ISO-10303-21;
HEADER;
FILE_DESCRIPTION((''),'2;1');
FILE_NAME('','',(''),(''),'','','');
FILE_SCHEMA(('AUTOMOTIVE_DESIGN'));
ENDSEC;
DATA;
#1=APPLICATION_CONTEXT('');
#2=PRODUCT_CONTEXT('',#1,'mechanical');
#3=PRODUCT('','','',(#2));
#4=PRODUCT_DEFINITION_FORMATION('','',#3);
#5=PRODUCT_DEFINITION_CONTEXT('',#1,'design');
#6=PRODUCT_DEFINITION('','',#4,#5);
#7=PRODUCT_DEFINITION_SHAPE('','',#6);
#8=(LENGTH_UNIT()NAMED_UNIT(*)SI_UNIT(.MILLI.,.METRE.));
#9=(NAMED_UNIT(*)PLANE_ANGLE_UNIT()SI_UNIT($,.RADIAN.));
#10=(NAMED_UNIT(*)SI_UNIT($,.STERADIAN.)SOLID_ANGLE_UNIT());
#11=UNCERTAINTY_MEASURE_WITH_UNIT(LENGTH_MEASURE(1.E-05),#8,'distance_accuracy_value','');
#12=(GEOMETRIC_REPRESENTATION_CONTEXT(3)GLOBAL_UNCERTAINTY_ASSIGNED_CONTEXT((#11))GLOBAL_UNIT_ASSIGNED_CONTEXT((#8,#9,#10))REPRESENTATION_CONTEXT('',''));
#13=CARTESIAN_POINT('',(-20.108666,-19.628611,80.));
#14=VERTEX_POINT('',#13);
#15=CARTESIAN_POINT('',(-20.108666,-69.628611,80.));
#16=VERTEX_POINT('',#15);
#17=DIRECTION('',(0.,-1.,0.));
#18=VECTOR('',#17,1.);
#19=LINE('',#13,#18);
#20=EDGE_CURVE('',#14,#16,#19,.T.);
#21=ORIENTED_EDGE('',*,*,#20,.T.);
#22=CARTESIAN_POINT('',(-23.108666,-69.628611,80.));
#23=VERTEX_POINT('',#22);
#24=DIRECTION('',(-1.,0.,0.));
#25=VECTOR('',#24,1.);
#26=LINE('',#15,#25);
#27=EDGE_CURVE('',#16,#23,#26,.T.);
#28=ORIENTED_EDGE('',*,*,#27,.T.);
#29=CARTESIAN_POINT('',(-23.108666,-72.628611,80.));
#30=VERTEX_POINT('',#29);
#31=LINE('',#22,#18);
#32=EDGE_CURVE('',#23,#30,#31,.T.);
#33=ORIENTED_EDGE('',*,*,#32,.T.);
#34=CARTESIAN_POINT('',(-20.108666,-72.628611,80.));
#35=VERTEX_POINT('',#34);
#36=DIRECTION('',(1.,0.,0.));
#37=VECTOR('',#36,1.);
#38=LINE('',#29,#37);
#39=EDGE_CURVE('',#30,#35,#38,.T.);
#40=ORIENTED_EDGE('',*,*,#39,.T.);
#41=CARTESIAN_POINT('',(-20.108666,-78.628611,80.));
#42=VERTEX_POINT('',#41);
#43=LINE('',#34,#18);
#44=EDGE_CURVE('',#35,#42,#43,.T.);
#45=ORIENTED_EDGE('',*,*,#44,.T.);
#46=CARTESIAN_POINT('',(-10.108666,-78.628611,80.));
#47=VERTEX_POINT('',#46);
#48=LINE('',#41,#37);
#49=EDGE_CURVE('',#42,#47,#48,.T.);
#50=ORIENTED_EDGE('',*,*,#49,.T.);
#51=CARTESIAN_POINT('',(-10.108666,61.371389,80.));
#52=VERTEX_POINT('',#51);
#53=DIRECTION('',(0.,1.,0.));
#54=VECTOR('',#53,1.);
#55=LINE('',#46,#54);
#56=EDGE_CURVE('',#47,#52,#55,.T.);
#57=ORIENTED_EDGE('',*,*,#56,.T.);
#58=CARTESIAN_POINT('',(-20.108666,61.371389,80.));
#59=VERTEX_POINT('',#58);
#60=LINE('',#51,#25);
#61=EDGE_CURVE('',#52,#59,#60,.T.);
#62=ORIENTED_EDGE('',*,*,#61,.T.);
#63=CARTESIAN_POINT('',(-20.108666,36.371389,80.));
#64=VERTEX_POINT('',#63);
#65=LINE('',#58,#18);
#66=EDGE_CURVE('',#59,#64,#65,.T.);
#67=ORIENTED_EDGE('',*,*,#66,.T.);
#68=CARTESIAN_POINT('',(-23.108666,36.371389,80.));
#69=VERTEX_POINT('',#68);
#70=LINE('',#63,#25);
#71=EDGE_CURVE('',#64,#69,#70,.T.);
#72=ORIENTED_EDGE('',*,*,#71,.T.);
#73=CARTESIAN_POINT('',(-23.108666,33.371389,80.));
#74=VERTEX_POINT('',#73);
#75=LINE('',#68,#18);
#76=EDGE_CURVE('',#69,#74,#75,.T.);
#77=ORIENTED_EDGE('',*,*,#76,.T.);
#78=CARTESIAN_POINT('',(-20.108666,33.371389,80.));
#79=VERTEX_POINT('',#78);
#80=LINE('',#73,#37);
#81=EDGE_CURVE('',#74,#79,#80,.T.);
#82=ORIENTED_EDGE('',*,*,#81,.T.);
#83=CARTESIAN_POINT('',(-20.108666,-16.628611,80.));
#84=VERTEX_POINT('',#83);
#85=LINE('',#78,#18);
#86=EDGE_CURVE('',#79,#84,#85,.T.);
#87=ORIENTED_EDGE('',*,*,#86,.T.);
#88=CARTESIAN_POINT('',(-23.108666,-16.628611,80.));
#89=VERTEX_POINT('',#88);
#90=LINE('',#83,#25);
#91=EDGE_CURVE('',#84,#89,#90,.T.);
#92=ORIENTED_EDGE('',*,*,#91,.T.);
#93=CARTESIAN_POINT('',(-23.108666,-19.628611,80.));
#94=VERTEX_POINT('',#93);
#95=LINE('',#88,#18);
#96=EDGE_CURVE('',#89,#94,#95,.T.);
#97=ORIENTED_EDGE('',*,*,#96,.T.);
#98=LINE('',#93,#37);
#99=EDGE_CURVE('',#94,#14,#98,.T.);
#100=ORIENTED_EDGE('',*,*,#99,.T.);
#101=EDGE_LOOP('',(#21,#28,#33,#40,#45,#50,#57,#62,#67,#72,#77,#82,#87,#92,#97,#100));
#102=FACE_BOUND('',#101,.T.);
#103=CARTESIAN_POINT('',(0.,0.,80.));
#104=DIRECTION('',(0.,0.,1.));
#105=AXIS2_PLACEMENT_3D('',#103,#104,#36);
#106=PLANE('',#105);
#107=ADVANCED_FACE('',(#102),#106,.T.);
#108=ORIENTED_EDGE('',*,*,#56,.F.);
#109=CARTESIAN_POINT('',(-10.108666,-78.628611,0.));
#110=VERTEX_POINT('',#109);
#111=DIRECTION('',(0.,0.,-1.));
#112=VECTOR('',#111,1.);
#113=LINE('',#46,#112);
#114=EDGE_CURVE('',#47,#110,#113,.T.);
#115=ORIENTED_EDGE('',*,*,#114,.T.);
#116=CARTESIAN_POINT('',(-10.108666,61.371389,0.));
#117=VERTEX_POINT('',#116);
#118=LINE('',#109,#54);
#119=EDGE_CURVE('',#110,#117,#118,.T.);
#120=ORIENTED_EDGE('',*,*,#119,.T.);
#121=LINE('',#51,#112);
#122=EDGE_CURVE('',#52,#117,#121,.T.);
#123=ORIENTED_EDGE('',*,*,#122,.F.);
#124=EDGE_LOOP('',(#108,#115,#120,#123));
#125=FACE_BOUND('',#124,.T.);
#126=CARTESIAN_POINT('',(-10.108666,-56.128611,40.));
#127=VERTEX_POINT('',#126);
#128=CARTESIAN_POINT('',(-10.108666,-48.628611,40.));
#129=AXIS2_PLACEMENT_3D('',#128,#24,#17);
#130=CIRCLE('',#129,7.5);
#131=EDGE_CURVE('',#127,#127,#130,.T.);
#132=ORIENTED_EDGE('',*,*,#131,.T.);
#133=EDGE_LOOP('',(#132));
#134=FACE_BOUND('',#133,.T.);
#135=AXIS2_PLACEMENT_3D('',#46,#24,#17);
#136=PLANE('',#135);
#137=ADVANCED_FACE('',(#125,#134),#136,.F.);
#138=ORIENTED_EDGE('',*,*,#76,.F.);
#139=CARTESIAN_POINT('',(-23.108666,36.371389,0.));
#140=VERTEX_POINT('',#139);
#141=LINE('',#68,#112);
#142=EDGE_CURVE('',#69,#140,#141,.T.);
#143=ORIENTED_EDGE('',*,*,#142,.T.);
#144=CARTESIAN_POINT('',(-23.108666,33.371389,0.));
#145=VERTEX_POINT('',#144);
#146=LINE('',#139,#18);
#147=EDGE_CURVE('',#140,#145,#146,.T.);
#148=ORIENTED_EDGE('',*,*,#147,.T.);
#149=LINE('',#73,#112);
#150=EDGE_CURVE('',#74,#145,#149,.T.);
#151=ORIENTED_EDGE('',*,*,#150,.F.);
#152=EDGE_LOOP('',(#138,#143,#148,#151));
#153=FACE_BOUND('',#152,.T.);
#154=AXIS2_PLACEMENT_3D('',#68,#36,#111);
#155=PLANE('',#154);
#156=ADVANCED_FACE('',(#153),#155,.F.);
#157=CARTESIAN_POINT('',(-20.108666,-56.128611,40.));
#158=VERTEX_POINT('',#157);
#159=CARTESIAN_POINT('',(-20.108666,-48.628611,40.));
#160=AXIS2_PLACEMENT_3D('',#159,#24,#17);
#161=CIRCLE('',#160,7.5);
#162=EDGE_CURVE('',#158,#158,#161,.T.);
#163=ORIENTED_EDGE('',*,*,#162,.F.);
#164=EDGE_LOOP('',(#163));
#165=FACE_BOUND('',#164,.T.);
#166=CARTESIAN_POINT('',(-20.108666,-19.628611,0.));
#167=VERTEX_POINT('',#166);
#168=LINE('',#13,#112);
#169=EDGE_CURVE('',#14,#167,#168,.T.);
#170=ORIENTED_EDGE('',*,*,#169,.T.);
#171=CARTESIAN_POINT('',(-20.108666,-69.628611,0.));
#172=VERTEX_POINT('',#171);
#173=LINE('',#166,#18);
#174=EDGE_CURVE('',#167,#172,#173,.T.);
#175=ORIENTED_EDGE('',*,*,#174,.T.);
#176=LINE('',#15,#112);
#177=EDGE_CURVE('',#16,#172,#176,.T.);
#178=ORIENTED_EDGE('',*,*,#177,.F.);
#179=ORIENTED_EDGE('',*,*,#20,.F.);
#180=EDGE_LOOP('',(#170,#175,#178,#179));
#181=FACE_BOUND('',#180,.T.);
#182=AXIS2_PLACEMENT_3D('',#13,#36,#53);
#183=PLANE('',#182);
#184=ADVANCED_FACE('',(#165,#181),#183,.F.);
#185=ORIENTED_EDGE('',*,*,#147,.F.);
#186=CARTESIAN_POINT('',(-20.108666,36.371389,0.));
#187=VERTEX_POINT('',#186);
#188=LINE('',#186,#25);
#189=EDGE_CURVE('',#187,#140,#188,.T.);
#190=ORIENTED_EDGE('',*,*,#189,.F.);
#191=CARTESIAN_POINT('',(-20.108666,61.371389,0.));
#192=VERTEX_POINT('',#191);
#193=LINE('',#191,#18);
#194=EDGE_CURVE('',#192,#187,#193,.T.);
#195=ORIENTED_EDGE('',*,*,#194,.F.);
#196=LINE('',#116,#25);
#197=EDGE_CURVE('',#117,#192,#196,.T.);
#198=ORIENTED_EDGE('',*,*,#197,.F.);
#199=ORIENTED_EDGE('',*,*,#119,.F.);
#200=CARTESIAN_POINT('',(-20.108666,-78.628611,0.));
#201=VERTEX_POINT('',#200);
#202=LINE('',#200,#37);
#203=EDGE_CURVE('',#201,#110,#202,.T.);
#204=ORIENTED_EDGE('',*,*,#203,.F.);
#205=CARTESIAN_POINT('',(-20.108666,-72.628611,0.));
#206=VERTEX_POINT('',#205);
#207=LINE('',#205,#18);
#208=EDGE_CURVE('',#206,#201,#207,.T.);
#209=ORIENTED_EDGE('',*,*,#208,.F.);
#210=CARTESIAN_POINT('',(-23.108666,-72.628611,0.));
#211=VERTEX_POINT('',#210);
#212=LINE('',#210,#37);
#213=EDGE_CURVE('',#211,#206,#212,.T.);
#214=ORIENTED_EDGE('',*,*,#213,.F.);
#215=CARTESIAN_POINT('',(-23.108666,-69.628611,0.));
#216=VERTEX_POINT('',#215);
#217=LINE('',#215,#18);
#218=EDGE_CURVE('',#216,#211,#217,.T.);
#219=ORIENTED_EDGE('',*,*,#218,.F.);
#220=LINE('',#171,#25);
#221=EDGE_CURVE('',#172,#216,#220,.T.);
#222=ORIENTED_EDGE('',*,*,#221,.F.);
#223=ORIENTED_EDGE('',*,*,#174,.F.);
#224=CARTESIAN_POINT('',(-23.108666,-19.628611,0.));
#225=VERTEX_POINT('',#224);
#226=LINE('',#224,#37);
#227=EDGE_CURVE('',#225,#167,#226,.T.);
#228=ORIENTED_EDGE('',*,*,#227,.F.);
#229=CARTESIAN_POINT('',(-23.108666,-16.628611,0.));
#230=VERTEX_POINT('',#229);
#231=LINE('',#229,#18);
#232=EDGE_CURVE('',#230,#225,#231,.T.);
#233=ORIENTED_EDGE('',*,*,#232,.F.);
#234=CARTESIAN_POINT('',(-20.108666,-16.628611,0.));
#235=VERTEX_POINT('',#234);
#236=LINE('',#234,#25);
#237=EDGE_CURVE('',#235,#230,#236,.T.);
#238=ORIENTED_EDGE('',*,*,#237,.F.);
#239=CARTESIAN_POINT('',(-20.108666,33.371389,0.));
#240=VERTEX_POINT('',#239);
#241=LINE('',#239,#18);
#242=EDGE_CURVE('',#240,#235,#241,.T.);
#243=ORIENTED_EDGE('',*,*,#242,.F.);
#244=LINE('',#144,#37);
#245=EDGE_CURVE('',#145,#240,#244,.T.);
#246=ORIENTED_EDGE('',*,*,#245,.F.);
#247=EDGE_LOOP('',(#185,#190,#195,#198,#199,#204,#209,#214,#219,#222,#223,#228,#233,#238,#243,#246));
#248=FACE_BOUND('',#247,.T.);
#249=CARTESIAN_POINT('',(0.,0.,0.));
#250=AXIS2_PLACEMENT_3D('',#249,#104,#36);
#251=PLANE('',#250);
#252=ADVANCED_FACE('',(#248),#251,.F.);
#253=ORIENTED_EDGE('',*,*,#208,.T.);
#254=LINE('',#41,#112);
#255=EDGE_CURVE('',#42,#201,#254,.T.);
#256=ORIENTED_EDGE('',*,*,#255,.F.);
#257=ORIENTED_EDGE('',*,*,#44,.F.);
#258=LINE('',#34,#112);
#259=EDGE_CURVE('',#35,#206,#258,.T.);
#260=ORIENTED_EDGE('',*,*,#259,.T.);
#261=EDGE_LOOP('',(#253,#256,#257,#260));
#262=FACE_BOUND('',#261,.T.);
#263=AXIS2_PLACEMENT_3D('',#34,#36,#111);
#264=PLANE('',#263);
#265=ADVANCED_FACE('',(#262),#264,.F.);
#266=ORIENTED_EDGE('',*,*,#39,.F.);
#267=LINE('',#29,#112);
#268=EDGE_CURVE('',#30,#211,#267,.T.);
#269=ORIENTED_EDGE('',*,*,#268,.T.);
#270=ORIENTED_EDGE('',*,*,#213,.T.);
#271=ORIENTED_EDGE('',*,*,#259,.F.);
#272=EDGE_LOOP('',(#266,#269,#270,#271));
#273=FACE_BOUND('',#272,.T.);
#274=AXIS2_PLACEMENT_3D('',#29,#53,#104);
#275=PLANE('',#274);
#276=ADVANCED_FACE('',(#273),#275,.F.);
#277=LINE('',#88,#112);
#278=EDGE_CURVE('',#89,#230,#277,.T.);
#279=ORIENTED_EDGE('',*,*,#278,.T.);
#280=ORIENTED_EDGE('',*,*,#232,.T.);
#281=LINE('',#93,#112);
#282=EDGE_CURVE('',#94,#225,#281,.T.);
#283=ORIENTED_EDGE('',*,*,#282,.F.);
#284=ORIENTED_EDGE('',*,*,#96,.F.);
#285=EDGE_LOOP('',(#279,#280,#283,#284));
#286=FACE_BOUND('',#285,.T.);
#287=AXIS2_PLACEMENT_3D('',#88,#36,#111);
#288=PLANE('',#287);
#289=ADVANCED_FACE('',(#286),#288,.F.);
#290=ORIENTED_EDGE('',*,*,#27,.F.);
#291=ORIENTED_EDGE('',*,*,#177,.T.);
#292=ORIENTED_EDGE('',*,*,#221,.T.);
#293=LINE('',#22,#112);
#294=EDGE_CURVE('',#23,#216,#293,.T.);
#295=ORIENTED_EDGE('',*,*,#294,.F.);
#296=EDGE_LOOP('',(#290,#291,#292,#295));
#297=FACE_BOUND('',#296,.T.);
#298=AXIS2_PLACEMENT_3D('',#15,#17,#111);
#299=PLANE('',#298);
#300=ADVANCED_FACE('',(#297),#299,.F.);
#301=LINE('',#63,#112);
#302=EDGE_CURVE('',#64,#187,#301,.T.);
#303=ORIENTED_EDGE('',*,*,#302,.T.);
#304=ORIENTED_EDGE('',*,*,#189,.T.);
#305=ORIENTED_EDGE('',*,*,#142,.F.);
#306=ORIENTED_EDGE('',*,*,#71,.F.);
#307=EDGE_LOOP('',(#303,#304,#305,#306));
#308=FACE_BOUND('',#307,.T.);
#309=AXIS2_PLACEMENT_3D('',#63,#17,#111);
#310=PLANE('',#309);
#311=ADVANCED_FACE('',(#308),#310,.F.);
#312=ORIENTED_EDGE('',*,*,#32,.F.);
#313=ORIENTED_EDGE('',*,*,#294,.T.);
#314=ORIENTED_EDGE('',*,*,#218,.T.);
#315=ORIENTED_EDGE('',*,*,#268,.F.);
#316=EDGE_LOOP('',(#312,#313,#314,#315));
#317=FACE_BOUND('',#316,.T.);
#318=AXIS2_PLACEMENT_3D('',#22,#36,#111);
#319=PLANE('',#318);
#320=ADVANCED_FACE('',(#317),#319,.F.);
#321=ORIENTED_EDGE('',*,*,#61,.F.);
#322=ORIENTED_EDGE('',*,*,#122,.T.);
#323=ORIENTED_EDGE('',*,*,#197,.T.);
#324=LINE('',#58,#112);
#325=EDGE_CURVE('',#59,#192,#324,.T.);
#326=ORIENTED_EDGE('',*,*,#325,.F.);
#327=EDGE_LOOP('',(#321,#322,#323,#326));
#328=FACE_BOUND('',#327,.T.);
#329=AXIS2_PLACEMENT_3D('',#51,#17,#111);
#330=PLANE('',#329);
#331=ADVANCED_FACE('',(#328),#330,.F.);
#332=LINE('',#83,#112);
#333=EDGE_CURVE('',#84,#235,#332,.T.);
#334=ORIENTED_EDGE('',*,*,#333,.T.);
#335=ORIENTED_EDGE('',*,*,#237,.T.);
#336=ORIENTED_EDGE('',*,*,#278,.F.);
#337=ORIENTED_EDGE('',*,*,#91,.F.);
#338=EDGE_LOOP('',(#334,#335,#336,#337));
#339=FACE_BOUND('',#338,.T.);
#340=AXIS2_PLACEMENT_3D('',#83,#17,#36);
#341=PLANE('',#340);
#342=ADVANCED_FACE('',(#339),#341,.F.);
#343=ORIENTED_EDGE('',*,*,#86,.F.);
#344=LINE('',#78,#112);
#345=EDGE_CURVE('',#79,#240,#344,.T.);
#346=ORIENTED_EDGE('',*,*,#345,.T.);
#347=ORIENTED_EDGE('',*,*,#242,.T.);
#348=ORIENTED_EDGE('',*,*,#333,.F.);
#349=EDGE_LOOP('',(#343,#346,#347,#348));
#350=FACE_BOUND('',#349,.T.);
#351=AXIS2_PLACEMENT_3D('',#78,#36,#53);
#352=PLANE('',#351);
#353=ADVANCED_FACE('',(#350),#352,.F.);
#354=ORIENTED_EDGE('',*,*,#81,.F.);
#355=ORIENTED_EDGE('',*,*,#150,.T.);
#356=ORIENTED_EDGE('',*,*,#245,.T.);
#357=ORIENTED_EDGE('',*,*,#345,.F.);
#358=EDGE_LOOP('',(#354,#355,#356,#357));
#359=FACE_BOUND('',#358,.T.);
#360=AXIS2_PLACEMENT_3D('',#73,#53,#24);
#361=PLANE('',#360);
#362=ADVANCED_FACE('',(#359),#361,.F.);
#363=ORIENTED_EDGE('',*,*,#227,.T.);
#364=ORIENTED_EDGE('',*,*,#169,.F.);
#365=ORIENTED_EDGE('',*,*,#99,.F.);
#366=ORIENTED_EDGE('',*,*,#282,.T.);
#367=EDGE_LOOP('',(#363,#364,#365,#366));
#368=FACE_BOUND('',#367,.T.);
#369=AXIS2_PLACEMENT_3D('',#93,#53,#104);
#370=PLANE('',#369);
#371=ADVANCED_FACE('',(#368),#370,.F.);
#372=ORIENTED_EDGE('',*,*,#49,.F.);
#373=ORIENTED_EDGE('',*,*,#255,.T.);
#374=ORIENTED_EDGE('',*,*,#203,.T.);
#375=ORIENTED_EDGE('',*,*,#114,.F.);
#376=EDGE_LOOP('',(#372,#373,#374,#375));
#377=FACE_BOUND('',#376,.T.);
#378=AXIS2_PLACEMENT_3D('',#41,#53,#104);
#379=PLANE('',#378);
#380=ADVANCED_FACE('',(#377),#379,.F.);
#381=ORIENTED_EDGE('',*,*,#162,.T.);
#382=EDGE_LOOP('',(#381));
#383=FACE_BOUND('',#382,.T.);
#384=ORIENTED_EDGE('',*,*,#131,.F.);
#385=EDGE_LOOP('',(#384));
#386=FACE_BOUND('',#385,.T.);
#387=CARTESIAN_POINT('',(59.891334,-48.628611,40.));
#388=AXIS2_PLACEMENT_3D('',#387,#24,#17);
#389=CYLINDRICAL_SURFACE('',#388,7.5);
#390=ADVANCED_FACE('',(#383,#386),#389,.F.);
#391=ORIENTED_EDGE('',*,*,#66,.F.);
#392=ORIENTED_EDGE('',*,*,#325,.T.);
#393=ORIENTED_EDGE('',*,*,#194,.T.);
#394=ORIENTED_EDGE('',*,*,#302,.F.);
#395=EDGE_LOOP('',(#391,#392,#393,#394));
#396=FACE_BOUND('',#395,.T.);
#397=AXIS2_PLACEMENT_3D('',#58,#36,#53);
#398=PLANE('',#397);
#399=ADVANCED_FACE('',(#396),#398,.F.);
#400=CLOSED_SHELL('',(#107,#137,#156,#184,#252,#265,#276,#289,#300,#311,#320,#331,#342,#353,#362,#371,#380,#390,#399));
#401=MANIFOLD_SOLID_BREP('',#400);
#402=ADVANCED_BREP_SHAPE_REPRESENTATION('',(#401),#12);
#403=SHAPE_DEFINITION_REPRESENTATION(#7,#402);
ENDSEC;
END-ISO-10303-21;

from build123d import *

# Parameters (mm, degrees)
BOSS_EXTRUDE1_DEPTH = 80
SKETCH2_R           = 7.5
CUT_EXTRUDE1_DEPTH  = 80


with BuildPart() as part:
    # Sketch1 → Boss-Extrude1 (new body)
    with BuildSketch(Plane.XY):
        Polygon((-10.10866575, -78.628610729), (-10.10866575, 61.371389271), (-20.10866575, 61.371389271), (-20.10866575, 36.371389271), (-23.10866575, 36.371389271), (-23.10866575, 33.371389271), (-20.10866575, 33.371389271), (-20.10866575, -16.628610729), (-23.10866575, -16.628610729), (-23.10866575, -19.628610729), (-20.10866575, -19.628610729), (-20.10866575, -69.628610729), (-23.10866575, -69.628610729), (-23.10866575, -72.628610729), (-20.10866575, -72.628610729), (-20.10866575, -78.628610729), align=None)
    extrude(amount=BOSS_EXTRUDE1_DEPTH)

    # Sketch2 → Cut-Extrude1 (cut)
    with BuildSketch(Plane.ZY.offset(20.10866575)):
        with Locations(Location((40, -48.628610729, 0), (0, 0, 270))):
            Circle(SKETCH2_R)
    extrude(amount=-CUT_EXTRUDE1_DEPTH, mode=Mode.SUBTRACT)


solid = part.part
